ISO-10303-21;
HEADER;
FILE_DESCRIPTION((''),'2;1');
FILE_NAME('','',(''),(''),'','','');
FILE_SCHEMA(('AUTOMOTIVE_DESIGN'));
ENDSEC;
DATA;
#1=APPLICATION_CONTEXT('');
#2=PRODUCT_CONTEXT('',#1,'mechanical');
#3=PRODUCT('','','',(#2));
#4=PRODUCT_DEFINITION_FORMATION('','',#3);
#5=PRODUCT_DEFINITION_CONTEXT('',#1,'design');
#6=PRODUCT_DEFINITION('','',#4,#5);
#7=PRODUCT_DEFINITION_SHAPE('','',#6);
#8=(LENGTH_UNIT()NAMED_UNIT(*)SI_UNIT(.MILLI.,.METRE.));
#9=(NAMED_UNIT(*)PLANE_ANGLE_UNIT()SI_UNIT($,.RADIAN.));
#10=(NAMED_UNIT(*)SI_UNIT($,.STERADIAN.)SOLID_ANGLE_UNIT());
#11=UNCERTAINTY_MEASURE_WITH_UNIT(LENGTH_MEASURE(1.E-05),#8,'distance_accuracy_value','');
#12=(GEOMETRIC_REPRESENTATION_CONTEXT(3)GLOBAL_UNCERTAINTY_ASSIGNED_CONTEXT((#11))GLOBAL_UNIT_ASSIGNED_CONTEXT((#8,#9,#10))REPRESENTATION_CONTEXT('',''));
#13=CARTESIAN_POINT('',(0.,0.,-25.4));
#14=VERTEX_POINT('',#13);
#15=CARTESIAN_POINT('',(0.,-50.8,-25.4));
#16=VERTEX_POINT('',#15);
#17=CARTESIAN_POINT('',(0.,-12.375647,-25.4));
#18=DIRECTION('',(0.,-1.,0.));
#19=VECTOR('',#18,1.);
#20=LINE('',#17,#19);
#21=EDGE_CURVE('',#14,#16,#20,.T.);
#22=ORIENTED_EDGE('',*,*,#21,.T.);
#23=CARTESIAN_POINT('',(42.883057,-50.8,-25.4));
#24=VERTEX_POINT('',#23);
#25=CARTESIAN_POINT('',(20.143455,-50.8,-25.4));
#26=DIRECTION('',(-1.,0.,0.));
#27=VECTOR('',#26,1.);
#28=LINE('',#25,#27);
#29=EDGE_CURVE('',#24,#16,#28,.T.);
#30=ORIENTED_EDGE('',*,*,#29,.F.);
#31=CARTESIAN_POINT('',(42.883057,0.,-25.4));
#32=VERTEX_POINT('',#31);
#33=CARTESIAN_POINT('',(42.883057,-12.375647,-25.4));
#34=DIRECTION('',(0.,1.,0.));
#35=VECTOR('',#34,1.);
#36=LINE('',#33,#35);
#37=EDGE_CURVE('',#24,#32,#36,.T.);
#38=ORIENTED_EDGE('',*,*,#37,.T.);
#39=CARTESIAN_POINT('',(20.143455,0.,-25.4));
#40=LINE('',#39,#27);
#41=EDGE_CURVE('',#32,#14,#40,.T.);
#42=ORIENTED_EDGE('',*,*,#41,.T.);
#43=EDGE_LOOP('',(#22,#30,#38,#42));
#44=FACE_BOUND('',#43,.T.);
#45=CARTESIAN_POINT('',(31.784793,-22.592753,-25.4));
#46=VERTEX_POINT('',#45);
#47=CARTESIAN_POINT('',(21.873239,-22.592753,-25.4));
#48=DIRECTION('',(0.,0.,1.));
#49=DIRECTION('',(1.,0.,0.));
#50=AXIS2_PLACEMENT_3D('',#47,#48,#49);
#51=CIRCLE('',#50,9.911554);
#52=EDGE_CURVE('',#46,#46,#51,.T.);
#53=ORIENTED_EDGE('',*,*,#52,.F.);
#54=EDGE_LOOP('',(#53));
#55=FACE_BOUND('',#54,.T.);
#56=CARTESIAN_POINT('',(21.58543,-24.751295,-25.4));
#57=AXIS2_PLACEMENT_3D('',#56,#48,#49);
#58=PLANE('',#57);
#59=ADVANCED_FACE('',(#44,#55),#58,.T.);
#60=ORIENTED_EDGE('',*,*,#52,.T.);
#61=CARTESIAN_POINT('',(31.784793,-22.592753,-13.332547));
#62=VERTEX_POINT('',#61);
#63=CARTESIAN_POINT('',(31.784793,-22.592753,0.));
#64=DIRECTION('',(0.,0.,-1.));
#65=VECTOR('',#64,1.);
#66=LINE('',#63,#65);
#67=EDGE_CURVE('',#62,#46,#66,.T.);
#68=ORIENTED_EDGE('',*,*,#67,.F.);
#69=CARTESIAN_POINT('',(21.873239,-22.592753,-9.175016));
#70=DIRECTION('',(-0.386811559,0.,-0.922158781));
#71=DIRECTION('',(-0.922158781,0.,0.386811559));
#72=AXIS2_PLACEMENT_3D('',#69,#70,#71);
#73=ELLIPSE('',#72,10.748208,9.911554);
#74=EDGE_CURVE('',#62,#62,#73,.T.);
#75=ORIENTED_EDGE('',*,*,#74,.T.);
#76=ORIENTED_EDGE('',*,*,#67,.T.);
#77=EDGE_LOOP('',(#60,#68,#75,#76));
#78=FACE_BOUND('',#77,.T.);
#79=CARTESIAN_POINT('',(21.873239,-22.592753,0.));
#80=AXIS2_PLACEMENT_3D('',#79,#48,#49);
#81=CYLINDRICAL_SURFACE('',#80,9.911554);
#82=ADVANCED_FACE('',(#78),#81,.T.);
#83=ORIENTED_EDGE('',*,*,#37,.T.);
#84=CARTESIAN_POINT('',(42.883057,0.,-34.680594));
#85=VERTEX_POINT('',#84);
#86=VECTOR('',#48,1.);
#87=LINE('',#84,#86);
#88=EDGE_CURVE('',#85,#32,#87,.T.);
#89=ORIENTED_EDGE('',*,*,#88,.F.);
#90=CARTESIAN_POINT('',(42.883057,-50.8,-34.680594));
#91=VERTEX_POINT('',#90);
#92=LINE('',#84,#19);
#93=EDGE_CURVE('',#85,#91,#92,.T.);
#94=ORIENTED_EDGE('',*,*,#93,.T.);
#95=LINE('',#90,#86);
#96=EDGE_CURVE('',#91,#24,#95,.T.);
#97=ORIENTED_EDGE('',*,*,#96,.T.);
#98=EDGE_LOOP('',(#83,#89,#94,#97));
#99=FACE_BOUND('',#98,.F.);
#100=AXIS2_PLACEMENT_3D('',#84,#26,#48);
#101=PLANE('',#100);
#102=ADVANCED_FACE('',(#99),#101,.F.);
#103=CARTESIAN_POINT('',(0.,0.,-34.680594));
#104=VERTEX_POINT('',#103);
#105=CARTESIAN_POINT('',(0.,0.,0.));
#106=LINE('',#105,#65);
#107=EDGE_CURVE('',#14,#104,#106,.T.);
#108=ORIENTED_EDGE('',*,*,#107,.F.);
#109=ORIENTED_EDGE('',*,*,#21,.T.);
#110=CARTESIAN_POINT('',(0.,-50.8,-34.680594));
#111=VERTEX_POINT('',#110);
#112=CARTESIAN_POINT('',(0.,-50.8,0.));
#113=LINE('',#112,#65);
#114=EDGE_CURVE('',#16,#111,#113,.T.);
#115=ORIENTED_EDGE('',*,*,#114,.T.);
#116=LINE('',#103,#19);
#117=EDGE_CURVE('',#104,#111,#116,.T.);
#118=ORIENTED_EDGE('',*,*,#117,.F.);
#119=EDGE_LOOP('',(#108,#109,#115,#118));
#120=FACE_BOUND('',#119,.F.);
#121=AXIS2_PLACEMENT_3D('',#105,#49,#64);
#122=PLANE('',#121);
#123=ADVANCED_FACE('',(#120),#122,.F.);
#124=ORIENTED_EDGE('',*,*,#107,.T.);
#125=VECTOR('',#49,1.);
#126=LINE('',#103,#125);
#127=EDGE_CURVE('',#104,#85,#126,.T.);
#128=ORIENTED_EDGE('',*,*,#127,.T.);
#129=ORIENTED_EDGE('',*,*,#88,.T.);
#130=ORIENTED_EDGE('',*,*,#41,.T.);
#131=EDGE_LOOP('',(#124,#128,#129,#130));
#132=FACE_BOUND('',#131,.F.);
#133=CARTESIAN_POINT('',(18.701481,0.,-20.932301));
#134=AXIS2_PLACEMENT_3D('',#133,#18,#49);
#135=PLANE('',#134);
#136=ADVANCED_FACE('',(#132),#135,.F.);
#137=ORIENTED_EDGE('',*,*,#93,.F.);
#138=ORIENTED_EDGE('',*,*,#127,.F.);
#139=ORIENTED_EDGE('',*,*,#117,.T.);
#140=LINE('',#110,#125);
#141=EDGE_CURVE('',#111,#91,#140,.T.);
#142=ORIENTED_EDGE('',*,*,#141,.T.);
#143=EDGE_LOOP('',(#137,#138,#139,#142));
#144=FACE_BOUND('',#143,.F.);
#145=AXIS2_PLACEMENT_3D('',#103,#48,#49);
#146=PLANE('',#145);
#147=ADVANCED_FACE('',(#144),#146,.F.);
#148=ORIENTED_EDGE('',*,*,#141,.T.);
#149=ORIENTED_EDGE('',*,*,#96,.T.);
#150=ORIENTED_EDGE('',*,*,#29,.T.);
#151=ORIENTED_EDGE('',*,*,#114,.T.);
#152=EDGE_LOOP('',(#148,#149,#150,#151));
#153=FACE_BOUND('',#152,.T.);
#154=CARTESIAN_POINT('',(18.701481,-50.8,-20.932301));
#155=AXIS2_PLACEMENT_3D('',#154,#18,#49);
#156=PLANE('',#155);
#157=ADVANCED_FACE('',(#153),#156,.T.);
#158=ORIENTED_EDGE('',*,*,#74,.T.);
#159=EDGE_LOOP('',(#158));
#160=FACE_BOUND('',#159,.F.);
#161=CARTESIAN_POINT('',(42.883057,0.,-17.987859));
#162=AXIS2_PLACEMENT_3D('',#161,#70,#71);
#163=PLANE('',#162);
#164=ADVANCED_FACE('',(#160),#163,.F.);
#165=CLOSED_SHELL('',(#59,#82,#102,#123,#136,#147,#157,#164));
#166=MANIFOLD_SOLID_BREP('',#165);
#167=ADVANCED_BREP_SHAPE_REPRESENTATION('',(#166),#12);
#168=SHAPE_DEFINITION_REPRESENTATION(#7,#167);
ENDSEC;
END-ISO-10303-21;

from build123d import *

# Parameters (mm, degrees)
F1_DEPTH = 50.8
F2_W     = 61.014819
F2_H     = 64.756295
F2_R     = 9.911554
F3_DEPTH = 25.4


with BuildPart() as f1:
    # F0 (on Front) → F1 (new body)
    with BuildSketch(Plane.XZ):
        Polygon((42.883057, -17.987859), (0, 0), (0, -34.680594), (42.883057, -34.680594), align=None)
    extrude(amount=F1_DEPTH)

    # F2 (on Top) → F3 (cut)
    with BuildSketch(Plane.XY):
        with Locations((21.58543, -24.751295)):
            Rectangle(F2_W, F2_H)
        with Locations((21.873239, -22.592753)):
            Circle(F2_R, mode=Mode.SUBTRACT)
    extrude(amount=-F3_DEPTH, mode=Mode.SUBTRACT)


solid = f1.part
